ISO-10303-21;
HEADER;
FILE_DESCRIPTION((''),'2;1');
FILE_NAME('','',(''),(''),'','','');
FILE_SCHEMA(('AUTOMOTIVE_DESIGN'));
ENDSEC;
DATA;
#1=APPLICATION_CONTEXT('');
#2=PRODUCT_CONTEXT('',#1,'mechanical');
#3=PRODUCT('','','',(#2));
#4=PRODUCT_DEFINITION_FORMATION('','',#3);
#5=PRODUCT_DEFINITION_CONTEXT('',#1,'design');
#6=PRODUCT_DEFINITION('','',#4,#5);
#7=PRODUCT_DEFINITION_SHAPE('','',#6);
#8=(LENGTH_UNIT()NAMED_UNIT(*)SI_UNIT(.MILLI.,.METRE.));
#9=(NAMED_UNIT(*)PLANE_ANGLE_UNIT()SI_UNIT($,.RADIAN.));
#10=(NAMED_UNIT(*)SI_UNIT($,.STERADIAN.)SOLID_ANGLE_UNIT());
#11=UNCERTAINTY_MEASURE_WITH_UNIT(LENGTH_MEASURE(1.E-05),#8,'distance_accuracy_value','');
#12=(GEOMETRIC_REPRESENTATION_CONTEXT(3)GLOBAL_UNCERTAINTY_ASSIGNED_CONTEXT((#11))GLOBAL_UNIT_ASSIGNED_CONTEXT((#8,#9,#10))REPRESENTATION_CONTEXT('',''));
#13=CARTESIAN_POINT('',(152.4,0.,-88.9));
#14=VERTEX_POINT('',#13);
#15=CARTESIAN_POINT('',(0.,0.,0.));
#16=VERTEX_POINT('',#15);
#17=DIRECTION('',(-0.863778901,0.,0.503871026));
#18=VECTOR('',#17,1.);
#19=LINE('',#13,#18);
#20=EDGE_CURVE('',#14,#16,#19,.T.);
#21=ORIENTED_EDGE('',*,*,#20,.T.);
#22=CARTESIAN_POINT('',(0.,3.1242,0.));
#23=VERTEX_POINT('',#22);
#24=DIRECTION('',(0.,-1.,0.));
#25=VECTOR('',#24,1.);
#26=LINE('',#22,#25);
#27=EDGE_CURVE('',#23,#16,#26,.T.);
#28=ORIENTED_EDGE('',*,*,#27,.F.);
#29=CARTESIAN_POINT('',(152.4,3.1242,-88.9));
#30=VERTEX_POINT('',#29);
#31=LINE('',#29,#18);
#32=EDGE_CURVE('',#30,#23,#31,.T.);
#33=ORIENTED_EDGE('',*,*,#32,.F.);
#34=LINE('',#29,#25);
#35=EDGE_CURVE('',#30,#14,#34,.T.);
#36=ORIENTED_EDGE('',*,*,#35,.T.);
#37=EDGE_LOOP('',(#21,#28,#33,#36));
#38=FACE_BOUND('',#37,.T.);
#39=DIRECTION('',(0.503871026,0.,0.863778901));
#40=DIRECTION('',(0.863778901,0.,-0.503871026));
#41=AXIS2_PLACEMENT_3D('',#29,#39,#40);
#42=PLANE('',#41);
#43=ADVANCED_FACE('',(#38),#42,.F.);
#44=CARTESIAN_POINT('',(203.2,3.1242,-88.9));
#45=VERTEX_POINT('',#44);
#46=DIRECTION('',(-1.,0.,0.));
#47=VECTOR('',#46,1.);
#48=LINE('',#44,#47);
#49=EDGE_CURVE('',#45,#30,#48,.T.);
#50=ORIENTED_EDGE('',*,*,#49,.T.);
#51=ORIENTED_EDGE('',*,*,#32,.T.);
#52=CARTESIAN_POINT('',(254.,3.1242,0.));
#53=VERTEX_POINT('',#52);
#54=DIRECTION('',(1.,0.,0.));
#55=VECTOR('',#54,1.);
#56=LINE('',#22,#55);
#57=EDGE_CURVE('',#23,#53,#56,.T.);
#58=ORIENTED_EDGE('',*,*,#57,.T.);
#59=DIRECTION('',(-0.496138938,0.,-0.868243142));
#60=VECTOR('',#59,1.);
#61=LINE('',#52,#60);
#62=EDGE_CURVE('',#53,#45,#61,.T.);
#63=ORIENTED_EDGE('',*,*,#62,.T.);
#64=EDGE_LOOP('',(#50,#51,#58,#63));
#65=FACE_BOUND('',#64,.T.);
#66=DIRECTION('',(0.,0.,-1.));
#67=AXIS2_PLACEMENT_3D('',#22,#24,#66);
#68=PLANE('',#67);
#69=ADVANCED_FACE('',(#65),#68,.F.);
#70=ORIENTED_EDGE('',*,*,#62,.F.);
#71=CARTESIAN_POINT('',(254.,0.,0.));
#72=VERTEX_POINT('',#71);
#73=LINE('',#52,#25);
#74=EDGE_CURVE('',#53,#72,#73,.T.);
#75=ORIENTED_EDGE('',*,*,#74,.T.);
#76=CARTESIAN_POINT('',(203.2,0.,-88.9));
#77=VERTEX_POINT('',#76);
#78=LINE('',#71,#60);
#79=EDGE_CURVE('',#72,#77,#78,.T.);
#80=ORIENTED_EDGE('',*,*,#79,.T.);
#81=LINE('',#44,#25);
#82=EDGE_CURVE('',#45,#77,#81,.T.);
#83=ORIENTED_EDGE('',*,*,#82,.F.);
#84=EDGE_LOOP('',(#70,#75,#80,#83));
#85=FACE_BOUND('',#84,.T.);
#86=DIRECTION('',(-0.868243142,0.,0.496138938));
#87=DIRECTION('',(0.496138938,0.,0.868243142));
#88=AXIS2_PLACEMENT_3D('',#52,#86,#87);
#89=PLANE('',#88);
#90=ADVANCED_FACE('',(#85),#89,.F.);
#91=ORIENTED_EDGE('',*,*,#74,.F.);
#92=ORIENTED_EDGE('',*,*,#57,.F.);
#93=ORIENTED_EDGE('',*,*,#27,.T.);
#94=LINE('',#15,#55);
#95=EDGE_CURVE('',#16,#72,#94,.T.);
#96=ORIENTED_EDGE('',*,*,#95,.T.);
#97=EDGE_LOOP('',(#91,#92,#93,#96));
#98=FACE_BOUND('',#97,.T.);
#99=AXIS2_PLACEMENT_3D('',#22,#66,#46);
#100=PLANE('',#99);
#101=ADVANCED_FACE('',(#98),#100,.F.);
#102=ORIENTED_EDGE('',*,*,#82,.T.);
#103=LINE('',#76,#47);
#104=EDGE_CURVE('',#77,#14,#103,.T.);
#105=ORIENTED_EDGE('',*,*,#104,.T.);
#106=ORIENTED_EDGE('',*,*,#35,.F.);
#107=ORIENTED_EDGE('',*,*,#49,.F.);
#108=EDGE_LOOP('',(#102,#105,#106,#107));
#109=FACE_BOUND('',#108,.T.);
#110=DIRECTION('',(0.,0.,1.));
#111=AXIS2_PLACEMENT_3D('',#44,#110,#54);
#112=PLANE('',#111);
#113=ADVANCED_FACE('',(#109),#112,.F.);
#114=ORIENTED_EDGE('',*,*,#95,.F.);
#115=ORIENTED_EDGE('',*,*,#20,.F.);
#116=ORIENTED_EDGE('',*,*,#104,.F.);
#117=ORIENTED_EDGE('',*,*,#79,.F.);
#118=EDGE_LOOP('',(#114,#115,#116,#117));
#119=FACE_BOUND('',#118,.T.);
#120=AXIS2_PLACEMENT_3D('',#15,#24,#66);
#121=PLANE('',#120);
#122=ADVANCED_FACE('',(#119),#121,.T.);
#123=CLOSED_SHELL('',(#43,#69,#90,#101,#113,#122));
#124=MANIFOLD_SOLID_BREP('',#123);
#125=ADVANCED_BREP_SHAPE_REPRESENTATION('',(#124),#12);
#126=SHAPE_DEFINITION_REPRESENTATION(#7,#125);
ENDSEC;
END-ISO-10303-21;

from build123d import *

# Parameters (mm, degrees)
BOSS_EXTRUDE1_DEPTH = 3.1242


with BuildPart() as part:
    # Sketch1 → Boss-Extrude1 (new body)
    with BuildSketch(Plane(origin=(0, 0, 0), x_dir=(1, 0, 0), z_dir=(0, 1, 0))):
        Polygon((0, 0), (254, 0), (203.2, 88.9), (152.4, 88.9), align=None)
    extrude(amount=BOSS_EXTRUDE1_DEPTH)


solid = part.part
